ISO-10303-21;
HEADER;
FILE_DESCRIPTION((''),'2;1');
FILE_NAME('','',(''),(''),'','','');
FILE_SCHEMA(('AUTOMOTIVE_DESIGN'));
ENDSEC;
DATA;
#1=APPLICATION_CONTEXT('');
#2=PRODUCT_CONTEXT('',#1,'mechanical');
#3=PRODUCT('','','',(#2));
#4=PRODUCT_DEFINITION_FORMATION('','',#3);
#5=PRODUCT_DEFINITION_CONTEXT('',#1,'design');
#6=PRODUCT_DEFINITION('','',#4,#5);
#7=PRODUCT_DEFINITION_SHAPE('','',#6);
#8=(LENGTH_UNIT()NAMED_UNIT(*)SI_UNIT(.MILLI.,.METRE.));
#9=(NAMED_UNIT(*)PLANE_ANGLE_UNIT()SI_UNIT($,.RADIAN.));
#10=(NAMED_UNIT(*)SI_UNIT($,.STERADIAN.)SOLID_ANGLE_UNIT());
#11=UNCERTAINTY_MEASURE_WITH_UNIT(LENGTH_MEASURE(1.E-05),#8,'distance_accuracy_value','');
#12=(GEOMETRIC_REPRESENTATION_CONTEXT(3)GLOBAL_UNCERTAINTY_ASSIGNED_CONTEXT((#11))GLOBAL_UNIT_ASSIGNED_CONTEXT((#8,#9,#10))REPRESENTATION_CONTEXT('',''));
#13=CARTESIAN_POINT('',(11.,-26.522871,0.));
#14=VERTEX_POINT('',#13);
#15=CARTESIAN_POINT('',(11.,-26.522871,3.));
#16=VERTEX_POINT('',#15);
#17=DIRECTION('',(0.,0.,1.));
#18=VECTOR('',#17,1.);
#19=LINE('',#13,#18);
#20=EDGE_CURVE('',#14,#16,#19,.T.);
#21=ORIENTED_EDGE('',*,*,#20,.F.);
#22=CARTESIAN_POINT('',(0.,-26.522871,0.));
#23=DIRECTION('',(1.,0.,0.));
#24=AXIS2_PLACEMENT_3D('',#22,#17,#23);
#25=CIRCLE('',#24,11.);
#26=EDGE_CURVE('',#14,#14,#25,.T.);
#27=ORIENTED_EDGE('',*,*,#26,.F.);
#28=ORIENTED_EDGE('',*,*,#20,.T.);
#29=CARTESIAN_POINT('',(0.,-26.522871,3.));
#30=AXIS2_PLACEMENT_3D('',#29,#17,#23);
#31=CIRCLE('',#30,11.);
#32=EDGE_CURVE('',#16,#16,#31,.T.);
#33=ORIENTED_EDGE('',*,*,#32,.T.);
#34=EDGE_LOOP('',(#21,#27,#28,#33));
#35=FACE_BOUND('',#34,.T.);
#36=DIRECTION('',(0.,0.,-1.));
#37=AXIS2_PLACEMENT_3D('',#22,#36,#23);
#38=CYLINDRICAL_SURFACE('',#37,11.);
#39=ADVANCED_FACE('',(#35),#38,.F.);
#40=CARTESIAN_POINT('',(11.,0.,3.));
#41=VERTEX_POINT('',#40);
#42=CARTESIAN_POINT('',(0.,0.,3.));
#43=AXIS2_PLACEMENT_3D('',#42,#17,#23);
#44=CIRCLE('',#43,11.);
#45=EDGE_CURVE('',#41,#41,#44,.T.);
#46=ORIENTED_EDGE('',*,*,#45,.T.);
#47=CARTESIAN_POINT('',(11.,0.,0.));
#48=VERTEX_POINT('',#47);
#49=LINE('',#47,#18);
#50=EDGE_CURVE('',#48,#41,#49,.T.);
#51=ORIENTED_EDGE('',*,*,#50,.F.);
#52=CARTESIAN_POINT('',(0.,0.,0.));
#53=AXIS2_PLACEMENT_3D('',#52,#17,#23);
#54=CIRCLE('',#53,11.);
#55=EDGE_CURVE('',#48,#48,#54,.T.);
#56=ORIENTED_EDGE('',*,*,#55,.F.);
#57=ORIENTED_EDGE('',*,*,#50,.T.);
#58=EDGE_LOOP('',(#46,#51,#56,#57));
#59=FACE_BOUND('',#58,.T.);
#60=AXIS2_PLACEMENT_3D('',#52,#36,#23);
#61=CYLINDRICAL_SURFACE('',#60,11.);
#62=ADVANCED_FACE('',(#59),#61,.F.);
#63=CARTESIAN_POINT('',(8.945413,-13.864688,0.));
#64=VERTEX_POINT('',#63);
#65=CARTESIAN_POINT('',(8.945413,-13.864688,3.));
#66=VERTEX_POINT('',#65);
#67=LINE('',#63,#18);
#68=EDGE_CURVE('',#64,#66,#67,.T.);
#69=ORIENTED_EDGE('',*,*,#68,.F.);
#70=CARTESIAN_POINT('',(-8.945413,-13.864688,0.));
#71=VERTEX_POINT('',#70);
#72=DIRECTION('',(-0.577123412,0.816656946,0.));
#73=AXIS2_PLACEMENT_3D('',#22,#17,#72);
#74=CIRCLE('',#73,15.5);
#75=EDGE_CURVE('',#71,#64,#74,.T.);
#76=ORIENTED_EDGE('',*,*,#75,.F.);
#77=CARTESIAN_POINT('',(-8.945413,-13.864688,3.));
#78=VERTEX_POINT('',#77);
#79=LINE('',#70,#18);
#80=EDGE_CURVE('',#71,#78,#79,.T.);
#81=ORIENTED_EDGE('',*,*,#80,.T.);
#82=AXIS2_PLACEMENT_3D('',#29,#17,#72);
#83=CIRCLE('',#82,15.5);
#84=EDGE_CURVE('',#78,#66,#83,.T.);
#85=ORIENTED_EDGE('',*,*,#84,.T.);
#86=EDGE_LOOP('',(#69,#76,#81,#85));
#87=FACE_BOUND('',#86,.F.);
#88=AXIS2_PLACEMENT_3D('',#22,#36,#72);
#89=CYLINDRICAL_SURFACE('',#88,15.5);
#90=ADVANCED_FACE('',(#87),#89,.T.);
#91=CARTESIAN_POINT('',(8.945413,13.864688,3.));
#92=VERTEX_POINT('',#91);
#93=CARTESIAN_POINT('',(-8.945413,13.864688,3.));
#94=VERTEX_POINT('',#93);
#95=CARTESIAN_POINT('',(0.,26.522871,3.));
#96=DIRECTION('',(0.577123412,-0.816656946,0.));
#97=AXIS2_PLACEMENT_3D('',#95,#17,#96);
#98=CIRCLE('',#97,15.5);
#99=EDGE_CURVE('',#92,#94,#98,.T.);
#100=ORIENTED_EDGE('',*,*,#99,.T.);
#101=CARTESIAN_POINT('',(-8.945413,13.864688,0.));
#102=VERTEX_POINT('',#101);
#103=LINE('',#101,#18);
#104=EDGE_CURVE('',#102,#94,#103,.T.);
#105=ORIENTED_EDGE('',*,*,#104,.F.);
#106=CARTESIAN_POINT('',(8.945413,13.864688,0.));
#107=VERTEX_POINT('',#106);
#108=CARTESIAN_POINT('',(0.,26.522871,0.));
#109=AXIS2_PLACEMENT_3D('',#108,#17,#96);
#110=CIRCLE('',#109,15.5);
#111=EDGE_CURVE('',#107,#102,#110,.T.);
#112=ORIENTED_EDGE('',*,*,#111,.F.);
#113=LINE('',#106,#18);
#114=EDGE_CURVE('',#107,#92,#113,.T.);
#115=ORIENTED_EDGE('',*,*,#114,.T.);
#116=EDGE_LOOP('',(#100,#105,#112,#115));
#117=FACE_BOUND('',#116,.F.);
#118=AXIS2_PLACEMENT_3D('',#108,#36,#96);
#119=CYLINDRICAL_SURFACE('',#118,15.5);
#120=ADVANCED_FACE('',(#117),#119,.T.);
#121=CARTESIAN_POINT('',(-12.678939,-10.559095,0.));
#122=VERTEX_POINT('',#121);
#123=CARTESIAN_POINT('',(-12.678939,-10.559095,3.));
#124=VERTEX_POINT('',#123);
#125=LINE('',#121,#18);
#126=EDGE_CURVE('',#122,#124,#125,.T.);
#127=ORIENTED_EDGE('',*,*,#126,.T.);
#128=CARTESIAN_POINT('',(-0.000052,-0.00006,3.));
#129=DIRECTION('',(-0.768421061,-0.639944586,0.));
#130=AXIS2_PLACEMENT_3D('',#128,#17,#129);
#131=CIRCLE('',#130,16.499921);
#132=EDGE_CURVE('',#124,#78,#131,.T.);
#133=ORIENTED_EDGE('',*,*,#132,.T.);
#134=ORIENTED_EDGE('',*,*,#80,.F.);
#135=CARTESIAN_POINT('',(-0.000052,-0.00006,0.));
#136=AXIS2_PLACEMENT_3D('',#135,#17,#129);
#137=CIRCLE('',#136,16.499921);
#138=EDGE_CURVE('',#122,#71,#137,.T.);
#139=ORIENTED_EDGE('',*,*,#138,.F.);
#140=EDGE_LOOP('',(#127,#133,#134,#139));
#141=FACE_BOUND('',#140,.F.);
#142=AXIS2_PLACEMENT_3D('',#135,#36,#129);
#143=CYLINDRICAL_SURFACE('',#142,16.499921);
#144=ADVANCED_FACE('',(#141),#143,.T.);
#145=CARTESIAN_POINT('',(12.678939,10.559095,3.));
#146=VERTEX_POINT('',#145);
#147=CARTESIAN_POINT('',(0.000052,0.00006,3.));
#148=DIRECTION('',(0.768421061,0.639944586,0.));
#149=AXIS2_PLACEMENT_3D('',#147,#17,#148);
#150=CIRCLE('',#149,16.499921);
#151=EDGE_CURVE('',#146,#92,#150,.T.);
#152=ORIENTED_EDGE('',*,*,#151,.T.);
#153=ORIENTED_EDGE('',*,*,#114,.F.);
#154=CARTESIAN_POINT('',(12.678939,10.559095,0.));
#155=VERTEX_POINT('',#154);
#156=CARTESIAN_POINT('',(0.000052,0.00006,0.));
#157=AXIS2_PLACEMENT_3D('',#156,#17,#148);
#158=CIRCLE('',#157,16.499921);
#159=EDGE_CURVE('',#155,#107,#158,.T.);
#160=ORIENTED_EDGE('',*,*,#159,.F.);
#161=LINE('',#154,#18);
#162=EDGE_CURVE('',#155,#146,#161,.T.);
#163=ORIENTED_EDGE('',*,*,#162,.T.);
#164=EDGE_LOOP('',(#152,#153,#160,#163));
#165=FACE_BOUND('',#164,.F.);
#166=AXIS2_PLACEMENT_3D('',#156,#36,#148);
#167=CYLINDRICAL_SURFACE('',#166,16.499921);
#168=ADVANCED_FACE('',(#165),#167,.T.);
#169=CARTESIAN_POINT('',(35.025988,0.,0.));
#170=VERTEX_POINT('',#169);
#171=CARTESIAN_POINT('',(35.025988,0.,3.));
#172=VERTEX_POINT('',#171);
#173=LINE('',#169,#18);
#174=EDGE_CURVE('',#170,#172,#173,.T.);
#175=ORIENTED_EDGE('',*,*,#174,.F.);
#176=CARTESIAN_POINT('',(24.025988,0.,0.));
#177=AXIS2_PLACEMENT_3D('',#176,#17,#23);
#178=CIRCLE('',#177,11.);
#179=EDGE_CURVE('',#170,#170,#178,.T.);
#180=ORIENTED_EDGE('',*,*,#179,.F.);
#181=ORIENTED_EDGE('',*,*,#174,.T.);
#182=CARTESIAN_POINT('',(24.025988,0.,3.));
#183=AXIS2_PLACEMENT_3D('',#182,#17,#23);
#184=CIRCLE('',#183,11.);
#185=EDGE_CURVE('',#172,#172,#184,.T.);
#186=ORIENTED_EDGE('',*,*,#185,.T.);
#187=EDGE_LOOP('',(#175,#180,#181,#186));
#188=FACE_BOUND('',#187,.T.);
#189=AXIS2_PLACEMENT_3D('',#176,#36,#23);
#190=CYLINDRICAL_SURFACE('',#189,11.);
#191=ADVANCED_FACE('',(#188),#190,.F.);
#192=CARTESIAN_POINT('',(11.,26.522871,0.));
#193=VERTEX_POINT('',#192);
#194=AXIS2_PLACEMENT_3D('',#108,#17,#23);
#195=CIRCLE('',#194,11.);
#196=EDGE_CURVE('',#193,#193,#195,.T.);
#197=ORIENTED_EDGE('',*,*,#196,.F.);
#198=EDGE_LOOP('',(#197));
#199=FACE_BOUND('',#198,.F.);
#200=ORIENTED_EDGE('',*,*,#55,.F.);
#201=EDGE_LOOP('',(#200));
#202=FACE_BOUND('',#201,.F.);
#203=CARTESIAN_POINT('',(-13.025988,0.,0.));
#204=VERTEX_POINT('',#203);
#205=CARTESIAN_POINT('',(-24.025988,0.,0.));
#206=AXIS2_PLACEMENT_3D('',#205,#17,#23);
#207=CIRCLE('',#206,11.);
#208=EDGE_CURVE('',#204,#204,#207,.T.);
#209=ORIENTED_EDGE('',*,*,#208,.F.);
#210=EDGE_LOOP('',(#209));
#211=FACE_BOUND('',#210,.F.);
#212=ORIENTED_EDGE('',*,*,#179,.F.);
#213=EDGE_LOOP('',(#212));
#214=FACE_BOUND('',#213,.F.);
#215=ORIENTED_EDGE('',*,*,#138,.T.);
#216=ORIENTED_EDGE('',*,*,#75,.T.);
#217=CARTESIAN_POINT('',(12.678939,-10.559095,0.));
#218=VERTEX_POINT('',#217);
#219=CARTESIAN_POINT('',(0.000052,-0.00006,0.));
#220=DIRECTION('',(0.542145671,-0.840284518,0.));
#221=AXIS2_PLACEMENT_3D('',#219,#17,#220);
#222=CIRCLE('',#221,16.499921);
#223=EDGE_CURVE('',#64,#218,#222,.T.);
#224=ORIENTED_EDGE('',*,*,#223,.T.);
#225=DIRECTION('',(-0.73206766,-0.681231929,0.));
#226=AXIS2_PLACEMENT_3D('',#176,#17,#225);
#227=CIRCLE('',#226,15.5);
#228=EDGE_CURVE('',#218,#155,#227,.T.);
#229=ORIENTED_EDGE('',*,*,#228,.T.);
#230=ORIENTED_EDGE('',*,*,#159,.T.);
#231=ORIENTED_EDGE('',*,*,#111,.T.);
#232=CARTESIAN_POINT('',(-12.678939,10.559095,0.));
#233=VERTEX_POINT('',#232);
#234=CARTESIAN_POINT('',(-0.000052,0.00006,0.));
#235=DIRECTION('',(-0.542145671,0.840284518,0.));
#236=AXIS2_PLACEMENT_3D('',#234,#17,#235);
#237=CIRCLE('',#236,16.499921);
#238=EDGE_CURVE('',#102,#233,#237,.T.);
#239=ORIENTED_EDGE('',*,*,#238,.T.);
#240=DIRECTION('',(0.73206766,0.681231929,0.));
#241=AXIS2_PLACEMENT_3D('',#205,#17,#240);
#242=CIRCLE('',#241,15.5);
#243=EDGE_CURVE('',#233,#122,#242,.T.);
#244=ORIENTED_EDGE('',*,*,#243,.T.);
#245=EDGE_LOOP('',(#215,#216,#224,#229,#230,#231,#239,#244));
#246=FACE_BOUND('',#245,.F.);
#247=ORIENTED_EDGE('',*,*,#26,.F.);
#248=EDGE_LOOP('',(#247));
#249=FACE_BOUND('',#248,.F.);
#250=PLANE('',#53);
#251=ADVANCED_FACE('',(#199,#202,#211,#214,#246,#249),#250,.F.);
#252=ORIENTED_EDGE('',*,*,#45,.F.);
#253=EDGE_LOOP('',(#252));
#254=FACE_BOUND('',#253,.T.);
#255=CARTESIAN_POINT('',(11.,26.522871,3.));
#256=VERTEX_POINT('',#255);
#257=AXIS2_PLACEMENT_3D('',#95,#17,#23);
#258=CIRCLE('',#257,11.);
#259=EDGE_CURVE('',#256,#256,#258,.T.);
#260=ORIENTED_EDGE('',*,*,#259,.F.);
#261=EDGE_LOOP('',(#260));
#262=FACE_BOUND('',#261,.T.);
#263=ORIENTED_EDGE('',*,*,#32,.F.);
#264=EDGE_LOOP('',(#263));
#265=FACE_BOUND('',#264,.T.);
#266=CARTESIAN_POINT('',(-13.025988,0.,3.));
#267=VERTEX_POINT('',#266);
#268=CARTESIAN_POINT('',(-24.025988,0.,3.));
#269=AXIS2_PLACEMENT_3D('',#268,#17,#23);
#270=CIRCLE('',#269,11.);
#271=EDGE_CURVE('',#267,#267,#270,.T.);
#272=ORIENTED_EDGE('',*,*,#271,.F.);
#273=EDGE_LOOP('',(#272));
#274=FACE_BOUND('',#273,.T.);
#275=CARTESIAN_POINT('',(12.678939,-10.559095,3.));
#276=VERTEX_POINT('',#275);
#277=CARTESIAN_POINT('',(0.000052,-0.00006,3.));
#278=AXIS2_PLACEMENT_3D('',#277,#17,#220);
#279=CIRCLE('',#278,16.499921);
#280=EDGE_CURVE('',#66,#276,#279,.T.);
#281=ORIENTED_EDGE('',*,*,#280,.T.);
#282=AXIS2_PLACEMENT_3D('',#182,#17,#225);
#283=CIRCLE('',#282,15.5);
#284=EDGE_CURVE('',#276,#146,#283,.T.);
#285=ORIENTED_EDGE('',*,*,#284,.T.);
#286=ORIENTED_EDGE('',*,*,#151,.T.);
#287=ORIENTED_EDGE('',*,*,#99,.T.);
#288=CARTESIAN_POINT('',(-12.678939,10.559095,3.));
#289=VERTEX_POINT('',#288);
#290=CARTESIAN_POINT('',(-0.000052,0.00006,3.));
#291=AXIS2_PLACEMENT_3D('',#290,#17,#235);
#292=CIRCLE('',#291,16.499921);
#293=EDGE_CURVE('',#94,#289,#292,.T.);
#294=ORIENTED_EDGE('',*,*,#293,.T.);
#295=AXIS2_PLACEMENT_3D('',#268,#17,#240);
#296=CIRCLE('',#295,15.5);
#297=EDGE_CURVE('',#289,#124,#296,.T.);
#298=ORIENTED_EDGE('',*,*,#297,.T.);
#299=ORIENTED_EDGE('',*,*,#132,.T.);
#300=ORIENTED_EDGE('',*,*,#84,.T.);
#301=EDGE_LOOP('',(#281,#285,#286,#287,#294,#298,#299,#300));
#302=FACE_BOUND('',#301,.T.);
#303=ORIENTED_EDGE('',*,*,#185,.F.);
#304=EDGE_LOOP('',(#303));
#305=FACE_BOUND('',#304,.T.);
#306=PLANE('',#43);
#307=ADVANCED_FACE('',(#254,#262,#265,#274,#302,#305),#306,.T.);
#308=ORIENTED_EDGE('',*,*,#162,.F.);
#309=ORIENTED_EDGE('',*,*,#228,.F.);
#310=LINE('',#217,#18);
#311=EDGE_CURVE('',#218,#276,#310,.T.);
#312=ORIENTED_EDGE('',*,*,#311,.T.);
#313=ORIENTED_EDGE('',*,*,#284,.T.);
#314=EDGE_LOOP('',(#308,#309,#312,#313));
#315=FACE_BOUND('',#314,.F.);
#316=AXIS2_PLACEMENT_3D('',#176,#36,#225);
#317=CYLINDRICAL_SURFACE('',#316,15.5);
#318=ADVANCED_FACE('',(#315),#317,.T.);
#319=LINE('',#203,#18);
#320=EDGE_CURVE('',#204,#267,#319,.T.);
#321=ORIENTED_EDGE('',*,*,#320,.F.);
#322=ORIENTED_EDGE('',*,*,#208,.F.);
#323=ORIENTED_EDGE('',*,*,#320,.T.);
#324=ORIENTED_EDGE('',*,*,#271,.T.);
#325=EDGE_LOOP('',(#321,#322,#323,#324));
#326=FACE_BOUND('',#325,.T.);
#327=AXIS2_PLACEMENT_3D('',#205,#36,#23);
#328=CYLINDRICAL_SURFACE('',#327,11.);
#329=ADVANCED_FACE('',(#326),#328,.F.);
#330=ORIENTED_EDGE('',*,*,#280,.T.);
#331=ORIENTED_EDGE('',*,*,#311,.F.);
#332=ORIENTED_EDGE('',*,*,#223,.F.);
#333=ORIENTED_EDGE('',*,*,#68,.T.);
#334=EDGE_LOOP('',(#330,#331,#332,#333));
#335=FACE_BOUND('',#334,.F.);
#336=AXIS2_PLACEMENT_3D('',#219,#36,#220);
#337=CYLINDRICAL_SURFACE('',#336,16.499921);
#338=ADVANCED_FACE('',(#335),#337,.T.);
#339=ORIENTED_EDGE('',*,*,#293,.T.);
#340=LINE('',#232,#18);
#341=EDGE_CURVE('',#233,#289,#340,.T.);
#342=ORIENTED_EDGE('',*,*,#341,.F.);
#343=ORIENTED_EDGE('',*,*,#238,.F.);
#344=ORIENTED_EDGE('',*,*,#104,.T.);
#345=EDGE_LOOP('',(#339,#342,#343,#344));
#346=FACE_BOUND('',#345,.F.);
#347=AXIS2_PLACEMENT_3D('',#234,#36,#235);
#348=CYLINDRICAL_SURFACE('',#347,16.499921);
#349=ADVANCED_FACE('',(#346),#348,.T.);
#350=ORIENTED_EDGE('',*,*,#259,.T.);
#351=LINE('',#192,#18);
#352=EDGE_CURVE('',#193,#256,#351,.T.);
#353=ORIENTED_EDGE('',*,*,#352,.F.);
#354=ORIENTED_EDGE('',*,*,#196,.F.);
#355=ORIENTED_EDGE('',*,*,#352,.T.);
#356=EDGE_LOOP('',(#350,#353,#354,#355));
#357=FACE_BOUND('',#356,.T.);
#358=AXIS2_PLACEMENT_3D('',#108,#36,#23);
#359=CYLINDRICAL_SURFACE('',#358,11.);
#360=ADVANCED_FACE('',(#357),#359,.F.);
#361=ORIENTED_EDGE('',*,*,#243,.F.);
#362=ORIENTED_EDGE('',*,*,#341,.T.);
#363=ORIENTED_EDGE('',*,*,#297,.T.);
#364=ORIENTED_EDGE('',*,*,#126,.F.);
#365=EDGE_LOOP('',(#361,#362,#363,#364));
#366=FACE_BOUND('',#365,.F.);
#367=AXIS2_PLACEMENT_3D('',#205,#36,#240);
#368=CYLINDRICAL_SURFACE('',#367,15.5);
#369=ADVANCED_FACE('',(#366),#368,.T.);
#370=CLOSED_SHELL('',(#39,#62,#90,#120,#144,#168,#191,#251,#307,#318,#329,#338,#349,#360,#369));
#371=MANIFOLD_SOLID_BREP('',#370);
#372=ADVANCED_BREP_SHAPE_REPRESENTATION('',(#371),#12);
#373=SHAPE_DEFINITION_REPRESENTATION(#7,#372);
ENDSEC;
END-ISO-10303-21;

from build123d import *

# Parameters (mm, degrees)
F0_R     = 11
F1_DEPTH = 3


with BuildPart() as f1:
    # F0 (on Top) → F1 (new body)
    with BuildSketch(Plane.XY):
        with BuildLine():
            ThreePointArc((12.678939, -10.559095), (39.525988, 0), (12.678939, 10.559095))
            ThreePointArc((12.678939, 10.559095), (10.937774, 12.353749), (8.945413, 13.864688))
            ThreePointArc((8.945413, 13.864688), (0, 42.022871), (-8.945413, 13.864688))
            ThreePointArc((-8.945413, 13.864688), (-10.937774, 12.353749), (-12.678939, 10.559095))
            ThreePointArc((-12.678939, 10.559095), (-39.525988, 0), (-12.678939, -10.559095))
            ThreePointArc((-12.678939, -10.559095), (-10.937774, -12.353749), (-8.945413, -13.864688))
            ThreePointArc((-8.945413, -13.864688), (0, -42.022871), (8.945413, -13.864688))
            ThreePointArc((8.945413, -13.864688), (10.937774, -12.353749), (12.678939, -10.559095))
        make_face()
        with Locations((0, -26.522871)):
            Circle(F0_R, mode=Mode.SUBTRACT)
        with Locations((-24.025988, 0)):
            Circle(F0_R, mode=Mode.SUBTRACT)
        Circle(F0_R, mode=Mode.SUBTRACT)
        with Locations((24.025988, 0)):
            Circle(F0_R, mode=Mode.SUBTRACT)
        with Locations((0, 26.522871)):
            Circle(F0_R, mode=Mode.SUBTRACT)
    extrude(amount=F1_DEPTH)


solid = f1.part
